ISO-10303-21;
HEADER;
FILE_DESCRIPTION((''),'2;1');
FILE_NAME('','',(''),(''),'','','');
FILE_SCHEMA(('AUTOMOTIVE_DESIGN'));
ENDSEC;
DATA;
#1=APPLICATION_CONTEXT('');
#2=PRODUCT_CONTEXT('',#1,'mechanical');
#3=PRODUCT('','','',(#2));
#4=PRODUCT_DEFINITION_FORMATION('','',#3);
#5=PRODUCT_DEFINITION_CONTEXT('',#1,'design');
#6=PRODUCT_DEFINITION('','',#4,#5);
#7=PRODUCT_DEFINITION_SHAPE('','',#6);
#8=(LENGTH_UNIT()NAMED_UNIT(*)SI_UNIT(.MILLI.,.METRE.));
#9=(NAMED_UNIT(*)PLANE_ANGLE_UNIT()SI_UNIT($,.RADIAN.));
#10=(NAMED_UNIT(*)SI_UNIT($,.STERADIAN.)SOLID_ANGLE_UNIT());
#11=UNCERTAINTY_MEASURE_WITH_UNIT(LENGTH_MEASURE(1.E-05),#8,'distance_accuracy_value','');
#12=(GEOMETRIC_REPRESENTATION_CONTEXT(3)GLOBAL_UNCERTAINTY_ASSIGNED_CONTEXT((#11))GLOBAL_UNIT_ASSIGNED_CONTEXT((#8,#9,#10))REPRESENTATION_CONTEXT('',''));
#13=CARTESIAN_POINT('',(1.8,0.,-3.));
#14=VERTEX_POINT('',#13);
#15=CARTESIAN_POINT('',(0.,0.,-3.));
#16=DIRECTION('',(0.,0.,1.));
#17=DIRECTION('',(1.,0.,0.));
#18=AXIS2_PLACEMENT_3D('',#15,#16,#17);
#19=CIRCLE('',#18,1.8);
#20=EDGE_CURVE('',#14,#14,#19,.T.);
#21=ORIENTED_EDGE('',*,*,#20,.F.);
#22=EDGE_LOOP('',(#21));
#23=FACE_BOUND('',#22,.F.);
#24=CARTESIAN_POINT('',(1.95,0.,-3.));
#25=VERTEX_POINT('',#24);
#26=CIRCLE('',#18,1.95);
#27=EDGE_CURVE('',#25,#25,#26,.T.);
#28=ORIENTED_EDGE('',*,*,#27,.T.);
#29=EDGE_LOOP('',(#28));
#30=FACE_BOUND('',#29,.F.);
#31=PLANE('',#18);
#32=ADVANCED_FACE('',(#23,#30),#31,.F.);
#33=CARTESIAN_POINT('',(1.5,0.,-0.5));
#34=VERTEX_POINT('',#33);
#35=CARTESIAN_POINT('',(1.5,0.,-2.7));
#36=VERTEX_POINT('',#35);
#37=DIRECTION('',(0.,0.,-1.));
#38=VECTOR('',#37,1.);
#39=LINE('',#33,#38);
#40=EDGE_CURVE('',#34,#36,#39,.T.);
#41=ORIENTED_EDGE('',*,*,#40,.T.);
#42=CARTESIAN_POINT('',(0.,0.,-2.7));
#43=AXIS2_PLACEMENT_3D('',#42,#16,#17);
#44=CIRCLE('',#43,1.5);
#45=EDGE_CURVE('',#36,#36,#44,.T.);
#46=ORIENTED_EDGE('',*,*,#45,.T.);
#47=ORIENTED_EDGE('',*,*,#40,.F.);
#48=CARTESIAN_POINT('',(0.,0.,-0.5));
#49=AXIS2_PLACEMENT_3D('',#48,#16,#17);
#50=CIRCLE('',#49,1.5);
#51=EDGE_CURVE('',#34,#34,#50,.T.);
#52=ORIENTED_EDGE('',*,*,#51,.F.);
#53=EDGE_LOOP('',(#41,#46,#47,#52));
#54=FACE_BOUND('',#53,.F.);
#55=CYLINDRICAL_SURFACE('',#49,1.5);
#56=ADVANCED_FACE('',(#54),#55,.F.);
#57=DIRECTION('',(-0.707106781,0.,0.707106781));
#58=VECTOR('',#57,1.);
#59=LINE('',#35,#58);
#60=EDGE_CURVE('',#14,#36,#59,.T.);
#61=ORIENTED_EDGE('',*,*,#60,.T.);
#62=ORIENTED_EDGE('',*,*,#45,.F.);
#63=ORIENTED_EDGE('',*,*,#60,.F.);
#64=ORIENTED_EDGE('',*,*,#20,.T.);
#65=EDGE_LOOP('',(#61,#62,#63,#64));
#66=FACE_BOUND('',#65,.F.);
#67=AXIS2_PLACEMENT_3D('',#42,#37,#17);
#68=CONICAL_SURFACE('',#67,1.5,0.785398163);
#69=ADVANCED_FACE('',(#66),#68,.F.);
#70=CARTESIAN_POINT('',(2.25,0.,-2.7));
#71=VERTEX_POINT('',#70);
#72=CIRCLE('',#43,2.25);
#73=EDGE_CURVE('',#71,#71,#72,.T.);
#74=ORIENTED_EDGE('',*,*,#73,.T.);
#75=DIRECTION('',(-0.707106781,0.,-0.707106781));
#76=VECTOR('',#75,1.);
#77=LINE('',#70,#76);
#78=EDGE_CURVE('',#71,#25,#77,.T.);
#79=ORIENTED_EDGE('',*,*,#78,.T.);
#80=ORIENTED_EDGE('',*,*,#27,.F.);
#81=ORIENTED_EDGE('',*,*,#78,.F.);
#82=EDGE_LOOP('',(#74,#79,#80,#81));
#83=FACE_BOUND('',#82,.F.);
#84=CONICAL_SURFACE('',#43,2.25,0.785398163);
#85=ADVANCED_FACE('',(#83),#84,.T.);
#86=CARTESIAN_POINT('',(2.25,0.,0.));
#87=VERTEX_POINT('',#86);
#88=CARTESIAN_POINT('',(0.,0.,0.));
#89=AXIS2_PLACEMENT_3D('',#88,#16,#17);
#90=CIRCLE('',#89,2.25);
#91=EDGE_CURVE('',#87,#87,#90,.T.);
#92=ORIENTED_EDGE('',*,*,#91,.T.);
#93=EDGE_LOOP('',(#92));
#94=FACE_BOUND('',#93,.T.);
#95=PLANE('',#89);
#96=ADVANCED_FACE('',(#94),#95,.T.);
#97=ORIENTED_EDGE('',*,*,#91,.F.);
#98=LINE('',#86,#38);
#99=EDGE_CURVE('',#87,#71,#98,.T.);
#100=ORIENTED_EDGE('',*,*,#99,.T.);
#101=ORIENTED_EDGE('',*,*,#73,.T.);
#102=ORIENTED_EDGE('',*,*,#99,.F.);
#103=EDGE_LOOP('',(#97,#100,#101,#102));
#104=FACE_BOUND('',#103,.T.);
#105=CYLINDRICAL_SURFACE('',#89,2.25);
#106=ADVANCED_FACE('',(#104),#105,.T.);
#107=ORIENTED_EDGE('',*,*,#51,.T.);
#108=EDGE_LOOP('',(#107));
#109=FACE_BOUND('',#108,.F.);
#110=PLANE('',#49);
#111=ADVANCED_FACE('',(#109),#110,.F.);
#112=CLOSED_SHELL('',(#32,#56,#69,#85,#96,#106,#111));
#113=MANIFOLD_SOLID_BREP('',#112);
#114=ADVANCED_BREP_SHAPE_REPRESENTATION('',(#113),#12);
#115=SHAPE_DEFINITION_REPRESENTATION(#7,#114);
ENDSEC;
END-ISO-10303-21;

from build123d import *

# Parameters (mm, degrees)
F0_R     = 2.25
F0_R_2   = 1.5
F1_DEPTH = 3
F2_START = -0.5
F2_DEPTH = 2.5
F3_SIZE  = 0.3


with BuildPart() as f1:
    # F0 (on Top) → F1 (new body)
    with BuildSketch(Plane.XY):
        Circle(F0_R)
        Circle(F0_R_2, mode=Mode.SUBTRACT)
        Circle(F0_R_2)
    extrude(amount=-F1_DEPTH)

    # F0 (on Top) → F2 (cut)
    with BuildSketch(Plane.XY.offset(F2_START)):
        Circle(F0_R_2)
    extrude(amount=-F2_DEPTH, mode=Mode.SUBTRACT)

    # F3
    f3_edges = [f1.edges().sort_by_distance(p)[0] for p in [
        (-2.25, 0, -3),
        (-1.5, 0, -3),
    ]]
    chamfer(f3_edges, length=F3_SIZE)


solid = f1.part
